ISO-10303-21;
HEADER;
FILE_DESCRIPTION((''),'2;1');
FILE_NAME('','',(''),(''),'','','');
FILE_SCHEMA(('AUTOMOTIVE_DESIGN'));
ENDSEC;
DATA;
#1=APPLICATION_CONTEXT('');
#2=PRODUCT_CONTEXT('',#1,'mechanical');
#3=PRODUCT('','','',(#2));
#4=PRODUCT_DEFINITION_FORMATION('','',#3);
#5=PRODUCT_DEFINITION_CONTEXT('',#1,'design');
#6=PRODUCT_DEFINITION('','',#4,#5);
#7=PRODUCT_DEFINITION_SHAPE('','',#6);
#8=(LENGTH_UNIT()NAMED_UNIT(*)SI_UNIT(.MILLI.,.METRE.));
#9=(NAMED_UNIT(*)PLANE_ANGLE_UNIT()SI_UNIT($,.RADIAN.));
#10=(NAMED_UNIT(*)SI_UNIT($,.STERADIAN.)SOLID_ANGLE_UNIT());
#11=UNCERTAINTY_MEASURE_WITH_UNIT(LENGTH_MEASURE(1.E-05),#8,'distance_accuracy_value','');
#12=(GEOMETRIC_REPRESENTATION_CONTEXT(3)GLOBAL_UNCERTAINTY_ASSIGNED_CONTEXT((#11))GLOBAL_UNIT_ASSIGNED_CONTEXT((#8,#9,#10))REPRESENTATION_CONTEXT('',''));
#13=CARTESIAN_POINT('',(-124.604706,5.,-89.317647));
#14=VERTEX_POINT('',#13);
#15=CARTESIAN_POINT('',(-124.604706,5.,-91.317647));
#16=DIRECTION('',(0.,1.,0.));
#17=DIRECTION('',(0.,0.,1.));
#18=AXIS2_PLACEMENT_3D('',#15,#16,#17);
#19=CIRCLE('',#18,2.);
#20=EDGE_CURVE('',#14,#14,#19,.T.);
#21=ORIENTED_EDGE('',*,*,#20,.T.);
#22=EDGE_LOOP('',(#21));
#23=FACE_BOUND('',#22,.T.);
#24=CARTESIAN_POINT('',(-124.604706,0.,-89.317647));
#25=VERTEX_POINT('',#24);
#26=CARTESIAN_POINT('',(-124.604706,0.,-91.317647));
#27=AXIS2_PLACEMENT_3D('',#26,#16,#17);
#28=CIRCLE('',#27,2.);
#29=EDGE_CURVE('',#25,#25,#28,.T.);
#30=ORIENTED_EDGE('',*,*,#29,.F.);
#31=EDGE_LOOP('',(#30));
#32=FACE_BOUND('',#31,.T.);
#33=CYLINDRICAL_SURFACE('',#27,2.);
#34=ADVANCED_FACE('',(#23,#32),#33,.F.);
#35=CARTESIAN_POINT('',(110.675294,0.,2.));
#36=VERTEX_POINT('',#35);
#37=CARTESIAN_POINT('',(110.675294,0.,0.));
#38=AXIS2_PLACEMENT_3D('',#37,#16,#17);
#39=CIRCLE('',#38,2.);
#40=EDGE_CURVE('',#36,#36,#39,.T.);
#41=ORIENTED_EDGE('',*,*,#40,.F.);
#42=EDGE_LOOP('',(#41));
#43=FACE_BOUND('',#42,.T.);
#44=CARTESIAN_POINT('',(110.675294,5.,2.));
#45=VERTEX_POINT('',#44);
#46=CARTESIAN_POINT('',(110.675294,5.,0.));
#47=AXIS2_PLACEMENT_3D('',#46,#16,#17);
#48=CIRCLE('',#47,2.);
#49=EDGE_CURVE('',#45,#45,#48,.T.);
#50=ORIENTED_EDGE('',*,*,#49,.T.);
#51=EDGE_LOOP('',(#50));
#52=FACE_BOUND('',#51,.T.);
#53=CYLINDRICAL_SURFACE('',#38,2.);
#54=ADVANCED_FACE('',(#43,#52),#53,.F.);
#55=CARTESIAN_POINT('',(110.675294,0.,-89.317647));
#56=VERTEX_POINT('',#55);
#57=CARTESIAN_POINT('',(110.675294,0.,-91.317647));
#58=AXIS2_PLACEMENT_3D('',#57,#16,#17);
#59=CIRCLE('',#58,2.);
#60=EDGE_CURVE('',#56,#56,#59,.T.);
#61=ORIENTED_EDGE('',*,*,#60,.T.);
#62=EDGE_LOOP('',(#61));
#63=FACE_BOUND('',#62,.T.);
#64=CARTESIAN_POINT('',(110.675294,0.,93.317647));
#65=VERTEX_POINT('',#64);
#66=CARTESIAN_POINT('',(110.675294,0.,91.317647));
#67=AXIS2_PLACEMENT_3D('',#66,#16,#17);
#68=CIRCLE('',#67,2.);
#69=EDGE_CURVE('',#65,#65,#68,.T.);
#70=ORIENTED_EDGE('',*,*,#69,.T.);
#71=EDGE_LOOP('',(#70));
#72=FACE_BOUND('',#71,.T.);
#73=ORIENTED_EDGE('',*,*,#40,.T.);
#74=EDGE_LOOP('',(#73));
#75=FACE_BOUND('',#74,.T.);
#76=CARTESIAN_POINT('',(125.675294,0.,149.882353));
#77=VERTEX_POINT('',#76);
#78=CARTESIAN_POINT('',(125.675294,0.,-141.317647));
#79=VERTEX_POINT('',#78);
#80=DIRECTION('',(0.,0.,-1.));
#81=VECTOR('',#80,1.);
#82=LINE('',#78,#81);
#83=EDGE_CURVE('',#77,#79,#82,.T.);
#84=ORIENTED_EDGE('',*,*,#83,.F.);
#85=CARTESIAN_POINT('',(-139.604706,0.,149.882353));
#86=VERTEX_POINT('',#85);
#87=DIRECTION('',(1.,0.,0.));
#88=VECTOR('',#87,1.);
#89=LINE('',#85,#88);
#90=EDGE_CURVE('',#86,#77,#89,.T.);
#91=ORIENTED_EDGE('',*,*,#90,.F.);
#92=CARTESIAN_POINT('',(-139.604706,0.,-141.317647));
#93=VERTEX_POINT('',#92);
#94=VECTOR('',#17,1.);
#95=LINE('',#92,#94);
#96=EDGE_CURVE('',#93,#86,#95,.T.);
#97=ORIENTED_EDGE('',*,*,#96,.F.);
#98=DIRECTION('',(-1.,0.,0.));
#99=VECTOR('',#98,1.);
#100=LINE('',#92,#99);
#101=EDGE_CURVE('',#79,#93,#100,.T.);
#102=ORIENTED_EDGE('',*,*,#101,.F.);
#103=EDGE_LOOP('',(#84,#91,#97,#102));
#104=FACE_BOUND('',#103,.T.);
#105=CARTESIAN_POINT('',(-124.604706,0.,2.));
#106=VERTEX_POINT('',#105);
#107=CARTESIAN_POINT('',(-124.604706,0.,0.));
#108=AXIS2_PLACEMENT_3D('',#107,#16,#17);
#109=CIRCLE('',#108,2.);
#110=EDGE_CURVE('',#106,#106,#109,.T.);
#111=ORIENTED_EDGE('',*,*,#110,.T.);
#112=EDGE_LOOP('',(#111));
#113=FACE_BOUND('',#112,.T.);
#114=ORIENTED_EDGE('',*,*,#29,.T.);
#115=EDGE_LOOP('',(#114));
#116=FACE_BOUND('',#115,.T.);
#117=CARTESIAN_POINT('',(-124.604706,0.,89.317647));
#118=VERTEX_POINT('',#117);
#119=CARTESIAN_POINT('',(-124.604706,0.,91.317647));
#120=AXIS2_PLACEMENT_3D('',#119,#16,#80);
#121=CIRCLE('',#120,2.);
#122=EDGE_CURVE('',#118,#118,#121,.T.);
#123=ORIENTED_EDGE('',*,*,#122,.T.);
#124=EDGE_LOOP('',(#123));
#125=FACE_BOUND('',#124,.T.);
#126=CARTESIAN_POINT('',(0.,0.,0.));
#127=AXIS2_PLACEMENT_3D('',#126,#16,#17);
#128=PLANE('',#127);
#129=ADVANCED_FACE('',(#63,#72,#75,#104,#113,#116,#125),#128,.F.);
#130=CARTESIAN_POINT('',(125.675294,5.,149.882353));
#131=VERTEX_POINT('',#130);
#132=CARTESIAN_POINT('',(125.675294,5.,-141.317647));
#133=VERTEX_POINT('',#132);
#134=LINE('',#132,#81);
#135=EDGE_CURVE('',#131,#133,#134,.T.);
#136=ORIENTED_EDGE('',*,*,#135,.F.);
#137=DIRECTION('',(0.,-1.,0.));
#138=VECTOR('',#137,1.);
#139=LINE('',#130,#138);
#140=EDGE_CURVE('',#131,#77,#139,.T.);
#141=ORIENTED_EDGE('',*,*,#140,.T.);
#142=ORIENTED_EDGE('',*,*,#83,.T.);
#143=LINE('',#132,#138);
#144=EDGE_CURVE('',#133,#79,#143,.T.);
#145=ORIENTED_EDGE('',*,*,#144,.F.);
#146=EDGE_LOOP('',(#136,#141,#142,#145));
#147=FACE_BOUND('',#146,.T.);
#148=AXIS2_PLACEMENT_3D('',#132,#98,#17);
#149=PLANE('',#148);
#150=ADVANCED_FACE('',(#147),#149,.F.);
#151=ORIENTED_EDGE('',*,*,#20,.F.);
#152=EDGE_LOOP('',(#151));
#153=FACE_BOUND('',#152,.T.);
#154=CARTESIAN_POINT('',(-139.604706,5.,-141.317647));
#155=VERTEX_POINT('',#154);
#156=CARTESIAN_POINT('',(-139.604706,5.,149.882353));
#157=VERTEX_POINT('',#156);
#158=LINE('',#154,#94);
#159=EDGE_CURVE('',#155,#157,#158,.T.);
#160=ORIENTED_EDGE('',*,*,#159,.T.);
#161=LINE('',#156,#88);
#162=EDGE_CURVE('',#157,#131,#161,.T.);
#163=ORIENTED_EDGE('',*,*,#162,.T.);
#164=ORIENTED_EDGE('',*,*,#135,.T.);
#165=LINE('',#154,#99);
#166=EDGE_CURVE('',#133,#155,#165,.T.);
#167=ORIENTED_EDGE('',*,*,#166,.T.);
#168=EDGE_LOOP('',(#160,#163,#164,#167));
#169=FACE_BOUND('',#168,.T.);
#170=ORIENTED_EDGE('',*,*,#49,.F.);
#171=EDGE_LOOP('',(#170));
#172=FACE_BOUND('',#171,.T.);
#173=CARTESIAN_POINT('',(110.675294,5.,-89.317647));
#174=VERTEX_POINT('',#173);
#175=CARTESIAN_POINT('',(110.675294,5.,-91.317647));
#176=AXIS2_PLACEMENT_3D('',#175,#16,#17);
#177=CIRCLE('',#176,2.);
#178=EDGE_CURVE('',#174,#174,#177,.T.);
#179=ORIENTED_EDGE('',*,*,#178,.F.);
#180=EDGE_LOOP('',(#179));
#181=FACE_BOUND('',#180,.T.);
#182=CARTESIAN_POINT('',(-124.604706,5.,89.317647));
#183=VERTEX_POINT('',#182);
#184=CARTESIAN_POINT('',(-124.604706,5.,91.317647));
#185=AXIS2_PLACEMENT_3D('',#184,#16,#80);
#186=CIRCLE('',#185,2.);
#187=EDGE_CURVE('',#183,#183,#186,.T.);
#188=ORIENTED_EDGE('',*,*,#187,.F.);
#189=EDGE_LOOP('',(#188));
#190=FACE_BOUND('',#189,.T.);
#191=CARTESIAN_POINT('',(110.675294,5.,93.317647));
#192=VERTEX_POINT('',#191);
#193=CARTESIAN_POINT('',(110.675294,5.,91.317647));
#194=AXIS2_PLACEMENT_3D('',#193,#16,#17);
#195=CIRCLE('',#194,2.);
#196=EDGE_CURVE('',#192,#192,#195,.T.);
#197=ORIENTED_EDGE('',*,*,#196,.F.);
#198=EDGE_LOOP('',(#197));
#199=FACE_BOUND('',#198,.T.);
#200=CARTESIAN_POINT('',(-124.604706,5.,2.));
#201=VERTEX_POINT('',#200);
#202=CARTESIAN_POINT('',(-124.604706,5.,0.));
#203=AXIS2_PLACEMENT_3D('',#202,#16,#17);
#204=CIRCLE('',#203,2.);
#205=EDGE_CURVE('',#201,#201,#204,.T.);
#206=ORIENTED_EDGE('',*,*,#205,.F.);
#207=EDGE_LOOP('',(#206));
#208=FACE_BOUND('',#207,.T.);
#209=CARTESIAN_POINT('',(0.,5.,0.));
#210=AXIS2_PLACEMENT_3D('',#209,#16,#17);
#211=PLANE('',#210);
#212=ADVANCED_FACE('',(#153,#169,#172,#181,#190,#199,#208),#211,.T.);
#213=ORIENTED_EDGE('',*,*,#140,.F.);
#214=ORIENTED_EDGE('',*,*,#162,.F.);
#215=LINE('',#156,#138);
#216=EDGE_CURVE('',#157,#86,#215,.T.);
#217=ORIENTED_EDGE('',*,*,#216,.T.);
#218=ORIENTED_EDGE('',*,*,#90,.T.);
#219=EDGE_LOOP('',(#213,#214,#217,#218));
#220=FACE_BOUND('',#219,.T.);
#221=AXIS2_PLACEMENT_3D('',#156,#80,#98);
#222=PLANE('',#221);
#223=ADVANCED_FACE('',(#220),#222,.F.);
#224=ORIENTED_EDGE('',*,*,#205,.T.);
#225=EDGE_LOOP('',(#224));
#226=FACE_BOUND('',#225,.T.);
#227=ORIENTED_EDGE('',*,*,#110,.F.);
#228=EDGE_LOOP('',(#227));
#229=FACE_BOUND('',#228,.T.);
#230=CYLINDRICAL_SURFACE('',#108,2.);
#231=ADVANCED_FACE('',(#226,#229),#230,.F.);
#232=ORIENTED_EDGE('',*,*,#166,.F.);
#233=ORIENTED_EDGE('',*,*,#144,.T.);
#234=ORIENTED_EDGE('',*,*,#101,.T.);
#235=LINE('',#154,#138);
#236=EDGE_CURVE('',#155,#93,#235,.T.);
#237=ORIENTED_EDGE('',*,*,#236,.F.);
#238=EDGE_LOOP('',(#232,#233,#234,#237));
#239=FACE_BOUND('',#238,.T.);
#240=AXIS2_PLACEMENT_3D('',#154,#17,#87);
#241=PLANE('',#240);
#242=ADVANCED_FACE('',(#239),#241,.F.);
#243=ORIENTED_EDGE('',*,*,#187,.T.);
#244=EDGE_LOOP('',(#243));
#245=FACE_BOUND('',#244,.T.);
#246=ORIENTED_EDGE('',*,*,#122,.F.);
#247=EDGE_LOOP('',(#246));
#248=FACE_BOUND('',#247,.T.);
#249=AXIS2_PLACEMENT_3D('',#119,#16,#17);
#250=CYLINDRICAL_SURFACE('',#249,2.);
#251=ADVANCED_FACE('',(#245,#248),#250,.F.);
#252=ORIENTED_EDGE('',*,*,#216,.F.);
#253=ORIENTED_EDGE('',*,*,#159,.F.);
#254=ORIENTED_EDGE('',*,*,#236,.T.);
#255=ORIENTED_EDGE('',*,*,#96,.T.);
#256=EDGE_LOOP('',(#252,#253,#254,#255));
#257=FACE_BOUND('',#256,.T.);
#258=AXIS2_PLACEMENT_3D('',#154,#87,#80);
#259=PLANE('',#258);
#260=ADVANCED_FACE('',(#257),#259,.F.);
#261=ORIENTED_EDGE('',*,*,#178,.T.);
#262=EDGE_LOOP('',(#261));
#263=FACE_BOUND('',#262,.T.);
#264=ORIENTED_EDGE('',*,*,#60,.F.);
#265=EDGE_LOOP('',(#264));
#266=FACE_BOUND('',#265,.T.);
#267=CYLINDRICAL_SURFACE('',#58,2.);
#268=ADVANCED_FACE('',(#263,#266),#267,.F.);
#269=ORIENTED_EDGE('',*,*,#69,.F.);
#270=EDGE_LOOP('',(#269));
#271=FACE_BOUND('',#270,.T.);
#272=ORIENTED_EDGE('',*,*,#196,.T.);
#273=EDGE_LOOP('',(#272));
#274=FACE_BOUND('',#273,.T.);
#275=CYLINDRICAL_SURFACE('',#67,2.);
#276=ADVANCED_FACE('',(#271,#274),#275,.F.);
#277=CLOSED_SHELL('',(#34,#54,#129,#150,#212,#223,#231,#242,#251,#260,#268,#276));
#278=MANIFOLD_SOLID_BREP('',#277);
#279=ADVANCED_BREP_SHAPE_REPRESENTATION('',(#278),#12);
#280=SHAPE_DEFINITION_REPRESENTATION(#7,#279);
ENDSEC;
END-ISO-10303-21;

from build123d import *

# Parameters (mm, degrees)
SKETCH1_W           = 265.28
SKETCH1_H           = 291.2
BOSS_EXTRUDE1_DEPTH = 5
SKETCH3_R           = 2
CUT_EXTRUDE1_DEPTH  = 5


with BuildPart() as part:
    # Sketch1 → Boss-Extrude1 (new body)
    with BuildSketch(Plane(origin=(0, 0, 0), x_dir=(1, 0, 0), z_dir=(0, 1, 0))):
        with Locations((-6.964705882, -4.282352941)):
            Rectangle(SKETCH1_W, SKETCH1_H)
    extrude(amount=BOSS_EXTRUDE1_DEPTH)

    # Sketch3 → Cut-Extrude1 (cut)
    with BuildSketch(Plane(origin=(0, 5, 0), x_dir=(1, 0, 0), z_dir=(0, 1, 0))):
        with Locations((-124.604705882, 91.317647059)):
            Circle(SKETCH3_R)
        with Locations((-124.604705882, 0)):
            Circle(SKETCH3_R)
        with Locations((-124.604705882, -91.317647059)):
            Circle(SKETCH3_R)
        with Locations((110.675294118, 91.317647059)):
            Circle(SKETCH3_R)
        with Locations((110.675294118, 0)):
            Circle(SKETCH3_R)
        with Locations((110.675294118, -91.317647059)):
            Circle(SKETCH3_R)
    extrude(amount=-CUT_EXTRUDE1_DEPTH, mode=Mode.SUBTRACT)


solid = part.part
